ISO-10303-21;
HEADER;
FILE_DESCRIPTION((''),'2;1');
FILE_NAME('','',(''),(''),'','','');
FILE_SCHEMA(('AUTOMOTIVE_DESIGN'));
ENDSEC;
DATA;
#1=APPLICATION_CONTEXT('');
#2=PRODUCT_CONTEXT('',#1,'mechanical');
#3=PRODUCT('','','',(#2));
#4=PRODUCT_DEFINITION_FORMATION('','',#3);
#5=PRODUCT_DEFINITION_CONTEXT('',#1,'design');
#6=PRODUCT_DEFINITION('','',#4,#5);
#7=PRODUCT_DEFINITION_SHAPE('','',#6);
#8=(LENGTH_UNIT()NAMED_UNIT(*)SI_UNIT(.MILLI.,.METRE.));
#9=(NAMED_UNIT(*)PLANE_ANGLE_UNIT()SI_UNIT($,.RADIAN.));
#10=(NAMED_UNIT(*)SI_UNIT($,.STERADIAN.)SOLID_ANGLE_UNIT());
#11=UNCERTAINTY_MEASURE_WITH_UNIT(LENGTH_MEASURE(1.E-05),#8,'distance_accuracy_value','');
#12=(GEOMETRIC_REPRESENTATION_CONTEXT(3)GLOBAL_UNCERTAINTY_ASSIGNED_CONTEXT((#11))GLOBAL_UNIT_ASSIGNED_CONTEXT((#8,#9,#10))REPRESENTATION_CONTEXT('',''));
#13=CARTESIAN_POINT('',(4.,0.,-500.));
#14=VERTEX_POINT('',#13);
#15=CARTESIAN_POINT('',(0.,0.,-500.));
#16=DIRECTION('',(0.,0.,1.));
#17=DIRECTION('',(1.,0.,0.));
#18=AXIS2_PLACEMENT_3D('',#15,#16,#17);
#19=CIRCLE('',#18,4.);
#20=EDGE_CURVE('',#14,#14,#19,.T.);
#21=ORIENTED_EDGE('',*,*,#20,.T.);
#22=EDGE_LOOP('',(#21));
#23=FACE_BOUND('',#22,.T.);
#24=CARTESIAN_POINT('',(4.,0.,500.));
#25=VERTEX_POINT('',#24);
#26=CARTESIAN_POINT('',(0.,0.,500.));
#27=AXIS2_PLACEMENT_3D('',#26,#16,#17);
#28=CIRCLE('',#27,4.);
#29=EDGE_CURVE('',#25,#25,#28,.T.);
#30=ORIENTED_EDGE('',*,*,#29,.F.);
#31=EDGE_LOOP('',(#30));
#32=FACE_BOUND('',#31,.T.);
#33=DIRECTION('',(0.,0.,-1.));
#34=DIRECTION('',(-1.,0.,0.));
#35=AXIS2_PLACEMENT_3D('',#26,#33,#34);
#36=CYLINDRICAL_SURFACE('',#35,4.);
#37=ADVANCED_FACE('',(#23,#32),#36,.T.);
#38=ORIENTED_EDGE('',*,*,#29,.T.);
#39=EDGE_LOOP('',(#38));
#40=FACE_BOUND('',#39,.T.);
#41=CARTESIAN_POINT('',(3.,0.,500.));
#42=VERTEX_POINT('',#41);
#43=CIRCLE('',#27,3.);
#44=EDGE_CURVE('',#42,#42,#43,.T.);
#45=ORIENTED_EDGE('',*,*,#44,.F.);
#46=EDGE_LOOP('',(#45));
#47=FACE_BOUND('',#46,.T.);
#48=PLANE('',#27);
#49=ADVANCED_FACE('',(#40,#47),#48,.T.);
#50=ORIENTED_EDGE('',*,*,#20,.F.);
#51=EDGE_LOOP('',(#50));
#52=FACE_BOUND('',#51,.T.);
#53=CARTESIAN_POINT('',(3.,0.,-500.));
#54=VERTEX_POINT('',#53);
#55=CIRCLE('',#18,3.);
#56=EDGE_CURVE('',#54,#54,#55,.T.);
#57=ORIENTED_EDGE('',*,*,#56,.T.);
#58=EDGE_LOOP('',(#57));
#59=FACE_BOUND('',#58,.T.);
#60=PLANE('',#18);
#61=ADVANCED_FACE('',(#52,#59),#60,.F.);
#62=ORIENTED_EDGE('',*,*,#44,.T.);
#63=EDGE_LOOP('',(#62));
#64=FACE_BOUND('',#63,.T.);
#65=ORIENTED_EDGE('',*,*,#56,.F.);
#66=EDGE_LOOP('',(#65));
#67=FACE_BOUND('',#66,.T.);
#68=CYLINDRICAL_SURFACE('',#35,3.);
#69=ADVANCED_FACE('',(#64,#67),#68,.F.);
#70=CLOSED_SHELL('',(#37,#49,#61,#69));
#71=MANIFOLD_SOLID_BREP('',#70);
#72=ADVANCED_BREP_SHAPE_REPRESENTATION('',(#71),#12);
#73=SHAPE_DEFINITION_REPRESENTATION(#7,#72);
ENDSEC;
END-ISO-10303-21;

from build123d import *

# Parameters (mm, degrees)
SKETCH_1_R      = 4
SKETCH_1_R_2    = 3
EXTRUDE_1_DEPTH = 500


with BuildPart() as part:
    # Эскиз1 → Бобышка-Вытянуть1 (new body, symmetric)
    with BuildSketch(Plane.XY):
        Circle(SKETCH_1_R)
        Circle(SKETCH_1_R_2, mode=Mode.SUBTRACT)
    extrude(amount=EXTRUDE_1_DEPTH, both=True)


solid = part.part
